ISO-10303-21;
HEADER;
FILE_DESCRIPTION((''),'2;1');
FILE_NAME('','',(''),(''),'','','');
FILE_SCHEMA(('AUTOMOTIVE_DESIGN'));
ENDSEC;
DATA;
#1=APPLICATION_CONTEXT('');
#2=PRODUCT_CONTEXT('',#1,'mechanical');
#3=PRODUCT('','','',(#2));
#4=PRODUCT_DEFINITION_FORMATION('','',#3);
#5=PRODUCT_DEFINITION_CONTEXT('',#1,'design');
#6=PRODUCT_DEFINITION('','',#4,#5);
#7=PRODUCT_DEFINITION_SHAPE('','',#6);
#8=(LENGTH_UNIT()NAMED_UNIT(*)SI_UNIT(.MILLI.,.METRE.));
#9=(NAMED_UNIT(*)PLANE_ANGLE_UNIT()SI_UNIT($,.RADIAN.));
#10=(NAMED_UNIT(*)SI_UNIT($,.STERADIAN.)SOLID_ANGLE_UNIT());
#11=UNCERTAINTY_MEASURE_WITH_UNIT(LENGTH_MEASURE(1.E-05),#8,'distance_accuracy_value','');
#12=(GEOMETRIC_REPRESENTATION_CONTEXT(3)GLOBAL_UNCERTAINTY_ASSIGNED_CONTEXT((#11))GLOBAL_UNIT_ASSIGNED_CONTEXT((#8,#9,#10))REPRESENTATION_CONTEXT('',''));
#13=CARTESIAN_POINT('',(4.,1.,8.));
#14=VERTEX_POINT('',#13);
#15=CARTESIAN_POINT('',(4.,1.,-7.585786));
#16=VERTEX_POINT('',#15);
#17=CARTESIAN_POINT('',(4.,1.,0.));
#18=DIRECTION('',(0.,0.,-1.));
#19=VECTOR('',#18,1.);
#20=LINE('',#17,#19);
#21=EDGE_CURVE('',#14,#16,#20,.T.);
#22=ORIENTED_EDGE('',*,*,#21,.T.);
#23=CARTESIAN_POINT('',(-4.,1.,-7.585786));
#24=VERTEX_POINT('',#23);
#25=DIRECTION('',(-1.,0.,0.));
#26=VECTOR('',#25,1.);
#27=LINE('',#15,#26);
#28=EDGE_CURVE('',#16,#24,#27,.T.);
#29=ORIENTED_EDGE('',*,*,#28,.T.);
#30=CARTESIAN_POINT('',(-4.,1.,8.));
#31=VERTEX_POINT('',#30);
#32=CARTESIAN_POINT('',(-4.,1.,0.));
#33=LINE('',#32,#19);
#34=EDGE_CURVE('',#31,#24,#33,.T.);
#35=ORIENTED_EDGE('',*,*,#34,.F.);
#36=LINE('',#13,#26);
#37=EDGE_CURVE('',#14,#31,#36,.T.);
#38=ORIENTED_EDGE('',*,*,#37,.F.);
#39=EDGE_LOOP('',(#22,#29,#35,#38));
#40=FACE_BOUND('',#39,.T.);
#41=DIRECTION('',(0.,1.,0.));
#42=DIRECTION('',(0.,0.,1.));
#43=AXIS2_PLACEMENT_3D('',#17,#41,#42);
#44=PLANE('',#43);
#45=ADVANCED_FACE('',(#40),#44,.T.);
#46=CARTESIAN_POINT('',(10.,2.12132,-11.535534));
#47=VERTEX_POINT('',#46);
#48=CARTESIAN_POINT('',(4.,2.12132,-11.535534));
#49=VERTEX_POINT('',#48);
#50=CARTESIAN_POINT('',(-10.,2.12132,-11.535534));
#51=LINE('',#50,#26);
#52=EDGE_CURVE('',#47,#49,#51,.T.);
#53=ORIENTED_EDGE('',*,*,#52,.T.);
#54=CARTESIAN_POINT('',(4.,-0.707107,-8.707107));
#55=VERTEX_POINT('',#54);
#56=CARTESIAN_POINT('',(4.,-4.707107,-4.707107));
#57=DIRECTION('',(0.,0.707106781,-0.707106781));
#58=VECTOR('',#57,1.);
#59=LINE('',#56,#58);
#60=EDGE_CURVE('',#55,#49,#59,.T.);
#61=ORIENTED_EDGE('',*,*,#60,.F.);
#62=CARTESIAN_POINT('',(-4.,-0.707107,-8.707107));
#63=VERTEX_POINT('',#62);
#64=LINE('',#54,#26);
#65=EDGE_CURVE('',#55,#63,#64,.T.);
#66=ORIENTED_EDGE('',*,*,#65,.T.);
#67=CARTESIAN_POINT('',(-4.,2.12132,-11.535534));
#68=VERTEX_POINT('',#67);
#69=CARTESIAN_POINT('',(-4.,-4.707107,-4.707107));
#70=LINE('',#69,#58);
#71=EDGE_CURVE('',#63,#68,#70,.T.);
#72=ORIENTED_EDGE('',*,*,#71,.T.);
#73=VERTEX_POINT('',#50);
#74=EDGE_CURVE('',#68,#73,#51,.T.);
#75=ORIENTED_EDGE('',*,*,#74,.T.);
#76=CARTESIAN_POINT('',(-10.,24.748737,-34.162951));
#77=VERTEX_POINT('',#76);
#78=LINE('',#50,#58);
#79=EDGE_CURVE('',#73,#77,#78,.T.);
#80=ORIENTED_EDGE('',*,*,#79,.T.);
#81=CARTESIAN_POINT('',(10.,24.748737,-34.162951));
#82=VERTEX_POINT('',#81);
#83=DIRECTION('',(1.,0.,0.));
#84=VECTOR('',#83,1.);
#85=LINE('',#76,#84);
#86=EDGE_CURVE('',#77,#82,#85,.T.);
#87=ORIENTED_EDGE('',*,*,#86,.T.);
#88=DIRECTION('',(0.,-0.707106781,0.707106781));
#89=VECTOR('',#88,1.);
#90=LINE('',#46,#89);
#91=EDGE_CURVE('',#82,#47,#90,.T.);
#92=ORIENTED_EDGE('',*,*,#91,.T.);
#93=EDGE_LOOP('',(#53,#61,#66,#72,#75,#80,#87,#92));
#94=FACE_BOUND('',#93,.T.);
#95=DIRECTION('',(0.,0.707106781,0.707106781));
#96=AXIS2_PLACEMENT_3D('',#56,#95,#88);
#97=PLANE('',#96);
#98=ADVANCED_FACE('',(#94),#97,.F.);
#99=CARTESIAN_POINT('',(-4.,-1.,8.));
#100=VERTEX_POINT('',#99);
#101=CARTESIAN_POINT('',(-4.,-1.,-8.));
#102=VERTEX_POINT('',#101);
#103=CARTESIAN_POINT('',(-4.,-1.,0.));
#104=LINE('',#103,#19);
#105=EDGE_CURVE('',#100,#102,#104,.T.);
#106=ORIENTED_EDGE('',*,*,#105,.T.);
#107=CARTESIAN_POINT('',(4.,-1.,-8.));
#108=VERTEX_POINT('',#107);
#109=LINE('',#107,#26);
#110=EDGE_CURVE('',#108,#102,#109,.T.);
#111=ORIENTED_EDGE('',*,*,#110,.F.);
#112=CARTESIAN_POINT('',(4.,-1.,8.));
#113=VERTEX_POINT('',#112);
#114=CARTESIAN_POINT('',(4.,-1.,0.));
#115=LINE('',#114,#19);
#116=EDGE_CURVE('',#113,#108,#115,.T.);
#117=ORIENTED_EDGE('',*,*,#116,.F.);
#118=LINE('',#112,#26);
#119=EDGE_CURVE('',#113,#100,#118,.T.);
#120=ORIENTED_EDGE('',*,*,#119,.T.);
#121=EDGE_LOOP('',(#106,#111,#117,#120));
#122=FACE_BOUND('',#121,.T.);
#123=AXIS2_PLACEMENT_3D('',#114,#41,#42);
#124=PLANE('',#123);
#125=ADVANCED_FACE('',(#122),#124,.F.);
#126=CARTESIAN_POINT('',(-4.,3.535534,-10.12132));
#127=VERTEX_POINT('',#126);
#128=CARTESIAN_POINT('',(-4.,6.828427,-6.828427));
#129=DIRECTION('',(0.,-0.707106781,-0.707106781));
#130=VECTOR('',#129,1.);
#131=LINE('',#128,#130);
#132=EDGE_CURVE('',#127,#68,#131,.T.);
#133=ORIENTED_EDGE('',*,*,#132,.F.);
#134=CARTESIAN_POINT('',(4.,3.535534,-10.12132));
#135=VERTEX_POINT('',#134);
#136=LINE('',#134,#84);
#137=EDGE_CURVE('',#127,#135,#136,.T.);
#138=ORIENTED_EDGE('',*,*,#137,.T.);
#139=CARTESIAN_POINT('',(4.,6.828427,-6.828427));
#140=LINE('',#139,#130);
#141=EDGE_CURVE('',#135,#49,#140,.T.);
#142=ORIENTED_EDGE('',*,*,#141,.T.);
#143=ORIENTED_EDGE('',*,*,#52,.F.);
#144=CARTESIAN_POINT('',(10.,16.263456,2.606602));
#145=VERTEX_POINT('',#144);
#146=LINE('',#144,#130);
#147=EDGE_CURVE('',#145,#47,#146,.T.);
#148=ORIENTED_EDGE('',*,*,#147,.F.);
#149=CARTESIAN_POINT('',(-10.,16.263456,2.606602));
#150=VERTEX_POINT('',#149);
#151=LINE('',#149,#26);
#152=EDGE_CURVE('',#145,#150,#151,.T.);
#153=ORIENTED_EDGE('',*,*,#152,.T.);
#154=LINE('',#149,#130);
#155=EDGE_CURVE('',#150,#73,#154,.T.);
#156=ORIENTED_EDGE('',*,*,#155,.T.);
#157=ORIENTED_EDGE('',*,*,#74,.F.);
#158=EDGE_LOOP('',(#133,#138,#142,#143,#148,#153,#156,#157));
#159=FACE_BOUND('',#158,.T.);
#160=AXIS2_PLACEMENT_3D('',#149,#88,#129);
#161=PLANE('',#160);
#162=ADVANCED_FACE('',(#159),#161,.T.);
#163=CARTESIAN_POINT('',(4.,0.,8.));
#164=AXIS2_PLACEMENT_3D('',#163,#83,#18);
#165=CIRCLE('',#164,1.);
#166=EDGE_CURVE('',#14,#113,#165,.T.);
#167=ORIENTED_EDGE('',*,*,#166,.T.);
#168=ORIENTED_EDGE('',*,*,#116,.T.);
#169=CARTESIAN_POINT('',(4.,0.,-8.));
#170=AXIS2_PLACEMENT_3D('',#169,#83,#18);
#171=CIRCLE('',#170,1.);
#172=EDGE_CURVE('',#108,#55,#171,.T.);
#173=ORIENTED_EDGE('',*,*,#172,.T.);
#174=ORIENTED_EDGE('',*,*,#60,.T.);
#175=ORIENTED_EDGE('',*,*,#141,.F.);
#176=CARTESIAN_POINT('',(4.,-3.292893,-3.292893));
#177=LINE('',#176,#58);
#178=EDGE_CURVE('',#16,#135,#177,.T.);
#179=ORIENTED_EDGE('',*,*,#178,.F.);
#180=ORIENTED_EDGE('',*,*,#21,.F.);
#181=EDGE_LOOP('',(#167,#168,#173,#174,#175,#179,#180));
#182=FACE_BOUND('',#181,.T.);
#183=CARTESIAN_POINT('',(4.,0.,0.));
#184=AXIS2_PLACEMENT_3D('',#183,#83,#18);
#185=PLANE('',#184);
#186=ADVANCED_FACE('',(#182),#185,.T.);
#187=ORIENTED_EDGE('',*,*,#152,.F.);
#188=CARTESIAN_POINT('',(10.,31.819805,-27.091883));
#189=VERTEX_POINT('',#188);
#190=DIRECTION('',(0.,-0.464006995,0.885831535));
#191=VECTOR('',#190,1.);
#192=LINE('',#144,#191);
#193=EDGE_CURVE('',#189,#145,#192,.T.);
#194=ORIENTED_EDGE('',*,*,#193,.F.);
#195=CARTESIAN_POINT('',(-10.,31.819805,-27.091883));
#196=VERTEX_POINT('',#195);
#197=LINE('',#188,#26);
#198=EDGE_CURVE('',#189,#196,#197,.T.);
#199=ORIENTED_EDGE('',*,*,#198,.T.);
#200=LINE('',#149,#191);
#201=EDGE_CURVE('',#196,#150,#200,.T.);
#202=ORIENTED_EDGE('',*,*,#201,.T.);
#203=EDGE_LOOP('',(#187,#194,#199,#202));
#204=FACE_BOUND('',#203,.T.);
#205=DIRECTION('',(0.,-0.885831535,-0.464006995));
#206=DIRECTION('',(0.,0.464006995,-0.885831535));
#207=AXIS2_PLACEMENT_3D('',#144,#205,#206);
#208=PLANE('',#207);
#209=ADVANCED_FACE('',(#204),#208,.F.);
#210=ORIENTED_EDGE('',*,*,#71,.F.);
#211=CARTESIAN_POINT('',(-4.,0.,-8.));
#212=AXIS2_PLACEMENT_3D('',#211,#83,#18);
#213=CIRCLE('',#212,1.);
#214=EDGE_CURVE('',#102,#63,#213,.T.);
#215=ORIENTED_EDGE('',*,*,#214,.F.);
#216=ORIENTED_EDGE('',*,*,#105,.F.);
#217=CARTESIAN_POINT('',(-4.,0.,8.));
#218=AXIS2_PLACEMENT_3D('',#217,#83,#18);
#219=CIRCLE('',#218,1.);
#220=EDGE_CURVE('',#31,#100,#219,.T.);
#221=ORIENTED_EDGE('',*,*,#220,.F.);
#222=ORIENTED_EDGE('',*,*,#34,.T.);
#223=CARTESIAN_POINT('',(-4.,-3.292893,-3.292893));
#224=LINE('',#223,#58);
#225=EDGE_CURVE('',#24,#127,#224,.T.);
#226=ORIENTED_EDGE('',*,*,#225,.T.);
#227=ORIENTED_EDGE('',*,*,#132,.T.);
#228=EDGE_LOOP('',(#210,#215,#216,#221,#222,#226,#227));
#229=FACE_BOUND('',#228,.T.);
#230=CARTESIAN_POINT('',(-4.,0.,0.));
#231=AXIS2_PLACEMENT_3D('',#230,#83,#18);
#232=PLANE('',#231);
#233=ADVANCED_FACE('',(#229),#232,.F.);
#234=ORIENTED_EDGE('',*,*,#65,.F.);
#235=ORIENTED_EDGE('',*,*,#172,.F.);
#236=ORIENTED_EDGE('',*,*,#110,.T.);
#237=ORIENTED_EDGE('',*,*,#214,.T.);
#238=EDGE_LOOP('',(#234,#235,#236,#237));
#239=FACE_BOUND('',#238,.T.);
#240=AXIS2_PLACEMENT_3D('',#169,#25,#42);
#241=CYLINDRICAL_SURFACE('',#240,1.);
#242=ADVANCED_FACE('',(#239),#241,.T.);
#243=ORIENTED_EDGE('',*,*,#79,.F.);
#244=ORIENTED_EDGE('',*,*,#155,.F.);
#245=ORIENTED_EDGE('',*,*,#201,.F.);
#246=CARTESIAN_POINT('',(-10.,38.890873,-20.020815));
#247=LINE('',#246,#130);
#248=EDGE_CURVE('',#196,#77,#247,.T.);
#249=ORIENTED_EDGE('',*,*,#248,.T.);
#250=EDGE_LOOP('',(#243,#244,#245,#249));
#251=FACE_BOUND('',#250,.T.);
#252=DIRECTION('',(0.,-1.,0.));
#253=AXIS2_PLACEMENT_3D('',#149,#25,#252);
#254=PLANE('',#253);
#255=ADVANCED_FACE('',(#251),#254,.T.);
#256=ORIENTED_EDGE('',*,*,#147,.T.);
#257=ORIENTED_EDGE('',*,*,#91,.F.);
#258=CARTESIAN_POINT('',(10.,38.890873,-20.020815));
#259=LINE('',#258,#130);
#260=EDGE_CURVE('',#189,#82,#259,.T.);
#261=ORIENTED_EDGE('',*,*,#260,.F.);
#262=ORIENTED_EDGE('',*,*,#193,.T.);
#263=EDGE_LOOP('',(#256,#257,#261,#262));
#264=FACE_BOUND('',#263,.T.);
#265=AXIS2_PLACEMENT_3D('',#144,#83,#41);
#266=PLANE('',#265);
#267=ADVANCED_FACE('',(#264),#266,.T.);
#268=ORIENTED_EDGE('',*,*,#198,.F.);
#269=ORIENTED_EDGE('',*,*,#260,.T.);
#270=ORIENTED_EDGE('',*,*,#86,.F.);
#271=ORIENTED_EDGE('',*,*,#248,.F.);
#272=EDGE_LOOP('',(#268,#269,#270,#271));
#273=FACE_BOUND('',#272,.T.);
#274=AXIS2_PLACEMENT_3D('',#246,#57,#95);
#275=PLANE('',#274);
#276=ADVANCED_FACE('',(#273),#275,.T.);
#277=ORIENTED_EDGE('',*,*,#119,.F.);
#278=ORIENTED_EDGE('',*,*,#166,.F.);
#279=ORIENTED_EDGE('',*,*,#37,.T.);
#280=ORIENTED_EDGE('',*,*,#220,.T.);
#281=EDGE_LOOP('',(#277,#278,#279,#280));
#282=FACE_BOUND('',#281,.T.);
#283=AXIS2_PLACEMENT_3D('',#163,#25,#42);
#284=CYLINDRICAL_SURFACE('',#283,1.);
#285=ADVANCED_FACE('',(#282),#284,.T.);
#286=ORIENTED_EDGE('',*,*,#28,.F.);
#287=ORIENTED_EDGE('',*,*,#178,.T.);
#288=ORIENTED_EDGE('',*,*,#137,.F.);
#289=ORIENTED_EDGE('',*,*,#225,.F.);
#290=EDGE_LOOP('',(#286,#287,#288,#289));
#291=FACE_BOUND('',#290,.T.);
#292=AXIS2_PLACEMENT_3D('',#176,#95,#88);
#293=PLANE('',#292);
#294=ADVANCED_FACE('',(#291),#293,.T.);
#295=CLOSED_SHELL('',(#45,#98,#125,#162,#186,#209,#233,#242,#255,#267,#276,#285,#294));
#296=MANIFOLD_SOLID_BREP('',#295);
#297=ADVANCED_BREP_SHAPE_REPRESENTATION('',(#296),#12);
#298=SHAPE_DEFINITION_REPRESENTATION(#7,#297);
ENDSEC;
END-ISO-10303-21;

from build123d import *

# Parameters (mm, degrees)
EXTRUDE_2_DEPTH     = 4
SKETCH_5_W          = 20
SKETCH_5_H          = 32
EXTRUDE_5_DEPTH     = 20
CUT_EXTRUDE_3_DEPTH = 20


with BuildPart() as part:
    # 草图1 → 凸台-拉伸2 (new body, symmetric)
    with BuildSketch(Plane(origin=(0, 0, 0), x_dir=(0, 0, -1), z_dir=(1, 0, 0))):
        with BuildLine():
            Line((-8, 1), (7.585786438, 1))
            Line((7.585786438, 1), (27.091883092, 20.506096654))
            ThreePointArc((27.091883092, 20.506096654), (28.506096654, 20.506096654), (28.506096654, 19.091883092))
            Line((28.506096654, 19.091883092), (8.707106781, -0.707106781))
            ThreePointArc((8.707106781, -0.707106781), (8.382683432, -0.923879533), (8, -1))
            Line((8, -1), (-8, -1))
            ThreePointArc((-8, -1), (-9, 0), (-8, 1))
        make_face()
    extrude(amount=EXTRUDE_2_DEPTH, both=True)

    # 草图5 → 凸台-拉伸5 (add)
    with BuildSketch(Plane(origin=(0, -4.707106781, -4.707106781), x_dir=(1, 0, 0), z_dir=(0, -0.707106781, -0.707106781))):
        with Locations((0, -25.656854249)):
            Rectangle(SKETCH_5_W, SKETCH_5_H)
    extrude(amount=-EXTRUDE_5_DEPTH)

    # 草图6 → 切除-拉伸3 (cut)
    with BuildSketch(Plane.ZY.offset(10)):
        Polygon((2.606601718, 16.263455967), (-27.091883092, 31.819805153), (-20.02081528, 38.890872965), align=None)
    extrude(amount=-CUT_EXTRUDE_3_DEPTH, mode=Mode.SUBTRACT)


solid = part.part
